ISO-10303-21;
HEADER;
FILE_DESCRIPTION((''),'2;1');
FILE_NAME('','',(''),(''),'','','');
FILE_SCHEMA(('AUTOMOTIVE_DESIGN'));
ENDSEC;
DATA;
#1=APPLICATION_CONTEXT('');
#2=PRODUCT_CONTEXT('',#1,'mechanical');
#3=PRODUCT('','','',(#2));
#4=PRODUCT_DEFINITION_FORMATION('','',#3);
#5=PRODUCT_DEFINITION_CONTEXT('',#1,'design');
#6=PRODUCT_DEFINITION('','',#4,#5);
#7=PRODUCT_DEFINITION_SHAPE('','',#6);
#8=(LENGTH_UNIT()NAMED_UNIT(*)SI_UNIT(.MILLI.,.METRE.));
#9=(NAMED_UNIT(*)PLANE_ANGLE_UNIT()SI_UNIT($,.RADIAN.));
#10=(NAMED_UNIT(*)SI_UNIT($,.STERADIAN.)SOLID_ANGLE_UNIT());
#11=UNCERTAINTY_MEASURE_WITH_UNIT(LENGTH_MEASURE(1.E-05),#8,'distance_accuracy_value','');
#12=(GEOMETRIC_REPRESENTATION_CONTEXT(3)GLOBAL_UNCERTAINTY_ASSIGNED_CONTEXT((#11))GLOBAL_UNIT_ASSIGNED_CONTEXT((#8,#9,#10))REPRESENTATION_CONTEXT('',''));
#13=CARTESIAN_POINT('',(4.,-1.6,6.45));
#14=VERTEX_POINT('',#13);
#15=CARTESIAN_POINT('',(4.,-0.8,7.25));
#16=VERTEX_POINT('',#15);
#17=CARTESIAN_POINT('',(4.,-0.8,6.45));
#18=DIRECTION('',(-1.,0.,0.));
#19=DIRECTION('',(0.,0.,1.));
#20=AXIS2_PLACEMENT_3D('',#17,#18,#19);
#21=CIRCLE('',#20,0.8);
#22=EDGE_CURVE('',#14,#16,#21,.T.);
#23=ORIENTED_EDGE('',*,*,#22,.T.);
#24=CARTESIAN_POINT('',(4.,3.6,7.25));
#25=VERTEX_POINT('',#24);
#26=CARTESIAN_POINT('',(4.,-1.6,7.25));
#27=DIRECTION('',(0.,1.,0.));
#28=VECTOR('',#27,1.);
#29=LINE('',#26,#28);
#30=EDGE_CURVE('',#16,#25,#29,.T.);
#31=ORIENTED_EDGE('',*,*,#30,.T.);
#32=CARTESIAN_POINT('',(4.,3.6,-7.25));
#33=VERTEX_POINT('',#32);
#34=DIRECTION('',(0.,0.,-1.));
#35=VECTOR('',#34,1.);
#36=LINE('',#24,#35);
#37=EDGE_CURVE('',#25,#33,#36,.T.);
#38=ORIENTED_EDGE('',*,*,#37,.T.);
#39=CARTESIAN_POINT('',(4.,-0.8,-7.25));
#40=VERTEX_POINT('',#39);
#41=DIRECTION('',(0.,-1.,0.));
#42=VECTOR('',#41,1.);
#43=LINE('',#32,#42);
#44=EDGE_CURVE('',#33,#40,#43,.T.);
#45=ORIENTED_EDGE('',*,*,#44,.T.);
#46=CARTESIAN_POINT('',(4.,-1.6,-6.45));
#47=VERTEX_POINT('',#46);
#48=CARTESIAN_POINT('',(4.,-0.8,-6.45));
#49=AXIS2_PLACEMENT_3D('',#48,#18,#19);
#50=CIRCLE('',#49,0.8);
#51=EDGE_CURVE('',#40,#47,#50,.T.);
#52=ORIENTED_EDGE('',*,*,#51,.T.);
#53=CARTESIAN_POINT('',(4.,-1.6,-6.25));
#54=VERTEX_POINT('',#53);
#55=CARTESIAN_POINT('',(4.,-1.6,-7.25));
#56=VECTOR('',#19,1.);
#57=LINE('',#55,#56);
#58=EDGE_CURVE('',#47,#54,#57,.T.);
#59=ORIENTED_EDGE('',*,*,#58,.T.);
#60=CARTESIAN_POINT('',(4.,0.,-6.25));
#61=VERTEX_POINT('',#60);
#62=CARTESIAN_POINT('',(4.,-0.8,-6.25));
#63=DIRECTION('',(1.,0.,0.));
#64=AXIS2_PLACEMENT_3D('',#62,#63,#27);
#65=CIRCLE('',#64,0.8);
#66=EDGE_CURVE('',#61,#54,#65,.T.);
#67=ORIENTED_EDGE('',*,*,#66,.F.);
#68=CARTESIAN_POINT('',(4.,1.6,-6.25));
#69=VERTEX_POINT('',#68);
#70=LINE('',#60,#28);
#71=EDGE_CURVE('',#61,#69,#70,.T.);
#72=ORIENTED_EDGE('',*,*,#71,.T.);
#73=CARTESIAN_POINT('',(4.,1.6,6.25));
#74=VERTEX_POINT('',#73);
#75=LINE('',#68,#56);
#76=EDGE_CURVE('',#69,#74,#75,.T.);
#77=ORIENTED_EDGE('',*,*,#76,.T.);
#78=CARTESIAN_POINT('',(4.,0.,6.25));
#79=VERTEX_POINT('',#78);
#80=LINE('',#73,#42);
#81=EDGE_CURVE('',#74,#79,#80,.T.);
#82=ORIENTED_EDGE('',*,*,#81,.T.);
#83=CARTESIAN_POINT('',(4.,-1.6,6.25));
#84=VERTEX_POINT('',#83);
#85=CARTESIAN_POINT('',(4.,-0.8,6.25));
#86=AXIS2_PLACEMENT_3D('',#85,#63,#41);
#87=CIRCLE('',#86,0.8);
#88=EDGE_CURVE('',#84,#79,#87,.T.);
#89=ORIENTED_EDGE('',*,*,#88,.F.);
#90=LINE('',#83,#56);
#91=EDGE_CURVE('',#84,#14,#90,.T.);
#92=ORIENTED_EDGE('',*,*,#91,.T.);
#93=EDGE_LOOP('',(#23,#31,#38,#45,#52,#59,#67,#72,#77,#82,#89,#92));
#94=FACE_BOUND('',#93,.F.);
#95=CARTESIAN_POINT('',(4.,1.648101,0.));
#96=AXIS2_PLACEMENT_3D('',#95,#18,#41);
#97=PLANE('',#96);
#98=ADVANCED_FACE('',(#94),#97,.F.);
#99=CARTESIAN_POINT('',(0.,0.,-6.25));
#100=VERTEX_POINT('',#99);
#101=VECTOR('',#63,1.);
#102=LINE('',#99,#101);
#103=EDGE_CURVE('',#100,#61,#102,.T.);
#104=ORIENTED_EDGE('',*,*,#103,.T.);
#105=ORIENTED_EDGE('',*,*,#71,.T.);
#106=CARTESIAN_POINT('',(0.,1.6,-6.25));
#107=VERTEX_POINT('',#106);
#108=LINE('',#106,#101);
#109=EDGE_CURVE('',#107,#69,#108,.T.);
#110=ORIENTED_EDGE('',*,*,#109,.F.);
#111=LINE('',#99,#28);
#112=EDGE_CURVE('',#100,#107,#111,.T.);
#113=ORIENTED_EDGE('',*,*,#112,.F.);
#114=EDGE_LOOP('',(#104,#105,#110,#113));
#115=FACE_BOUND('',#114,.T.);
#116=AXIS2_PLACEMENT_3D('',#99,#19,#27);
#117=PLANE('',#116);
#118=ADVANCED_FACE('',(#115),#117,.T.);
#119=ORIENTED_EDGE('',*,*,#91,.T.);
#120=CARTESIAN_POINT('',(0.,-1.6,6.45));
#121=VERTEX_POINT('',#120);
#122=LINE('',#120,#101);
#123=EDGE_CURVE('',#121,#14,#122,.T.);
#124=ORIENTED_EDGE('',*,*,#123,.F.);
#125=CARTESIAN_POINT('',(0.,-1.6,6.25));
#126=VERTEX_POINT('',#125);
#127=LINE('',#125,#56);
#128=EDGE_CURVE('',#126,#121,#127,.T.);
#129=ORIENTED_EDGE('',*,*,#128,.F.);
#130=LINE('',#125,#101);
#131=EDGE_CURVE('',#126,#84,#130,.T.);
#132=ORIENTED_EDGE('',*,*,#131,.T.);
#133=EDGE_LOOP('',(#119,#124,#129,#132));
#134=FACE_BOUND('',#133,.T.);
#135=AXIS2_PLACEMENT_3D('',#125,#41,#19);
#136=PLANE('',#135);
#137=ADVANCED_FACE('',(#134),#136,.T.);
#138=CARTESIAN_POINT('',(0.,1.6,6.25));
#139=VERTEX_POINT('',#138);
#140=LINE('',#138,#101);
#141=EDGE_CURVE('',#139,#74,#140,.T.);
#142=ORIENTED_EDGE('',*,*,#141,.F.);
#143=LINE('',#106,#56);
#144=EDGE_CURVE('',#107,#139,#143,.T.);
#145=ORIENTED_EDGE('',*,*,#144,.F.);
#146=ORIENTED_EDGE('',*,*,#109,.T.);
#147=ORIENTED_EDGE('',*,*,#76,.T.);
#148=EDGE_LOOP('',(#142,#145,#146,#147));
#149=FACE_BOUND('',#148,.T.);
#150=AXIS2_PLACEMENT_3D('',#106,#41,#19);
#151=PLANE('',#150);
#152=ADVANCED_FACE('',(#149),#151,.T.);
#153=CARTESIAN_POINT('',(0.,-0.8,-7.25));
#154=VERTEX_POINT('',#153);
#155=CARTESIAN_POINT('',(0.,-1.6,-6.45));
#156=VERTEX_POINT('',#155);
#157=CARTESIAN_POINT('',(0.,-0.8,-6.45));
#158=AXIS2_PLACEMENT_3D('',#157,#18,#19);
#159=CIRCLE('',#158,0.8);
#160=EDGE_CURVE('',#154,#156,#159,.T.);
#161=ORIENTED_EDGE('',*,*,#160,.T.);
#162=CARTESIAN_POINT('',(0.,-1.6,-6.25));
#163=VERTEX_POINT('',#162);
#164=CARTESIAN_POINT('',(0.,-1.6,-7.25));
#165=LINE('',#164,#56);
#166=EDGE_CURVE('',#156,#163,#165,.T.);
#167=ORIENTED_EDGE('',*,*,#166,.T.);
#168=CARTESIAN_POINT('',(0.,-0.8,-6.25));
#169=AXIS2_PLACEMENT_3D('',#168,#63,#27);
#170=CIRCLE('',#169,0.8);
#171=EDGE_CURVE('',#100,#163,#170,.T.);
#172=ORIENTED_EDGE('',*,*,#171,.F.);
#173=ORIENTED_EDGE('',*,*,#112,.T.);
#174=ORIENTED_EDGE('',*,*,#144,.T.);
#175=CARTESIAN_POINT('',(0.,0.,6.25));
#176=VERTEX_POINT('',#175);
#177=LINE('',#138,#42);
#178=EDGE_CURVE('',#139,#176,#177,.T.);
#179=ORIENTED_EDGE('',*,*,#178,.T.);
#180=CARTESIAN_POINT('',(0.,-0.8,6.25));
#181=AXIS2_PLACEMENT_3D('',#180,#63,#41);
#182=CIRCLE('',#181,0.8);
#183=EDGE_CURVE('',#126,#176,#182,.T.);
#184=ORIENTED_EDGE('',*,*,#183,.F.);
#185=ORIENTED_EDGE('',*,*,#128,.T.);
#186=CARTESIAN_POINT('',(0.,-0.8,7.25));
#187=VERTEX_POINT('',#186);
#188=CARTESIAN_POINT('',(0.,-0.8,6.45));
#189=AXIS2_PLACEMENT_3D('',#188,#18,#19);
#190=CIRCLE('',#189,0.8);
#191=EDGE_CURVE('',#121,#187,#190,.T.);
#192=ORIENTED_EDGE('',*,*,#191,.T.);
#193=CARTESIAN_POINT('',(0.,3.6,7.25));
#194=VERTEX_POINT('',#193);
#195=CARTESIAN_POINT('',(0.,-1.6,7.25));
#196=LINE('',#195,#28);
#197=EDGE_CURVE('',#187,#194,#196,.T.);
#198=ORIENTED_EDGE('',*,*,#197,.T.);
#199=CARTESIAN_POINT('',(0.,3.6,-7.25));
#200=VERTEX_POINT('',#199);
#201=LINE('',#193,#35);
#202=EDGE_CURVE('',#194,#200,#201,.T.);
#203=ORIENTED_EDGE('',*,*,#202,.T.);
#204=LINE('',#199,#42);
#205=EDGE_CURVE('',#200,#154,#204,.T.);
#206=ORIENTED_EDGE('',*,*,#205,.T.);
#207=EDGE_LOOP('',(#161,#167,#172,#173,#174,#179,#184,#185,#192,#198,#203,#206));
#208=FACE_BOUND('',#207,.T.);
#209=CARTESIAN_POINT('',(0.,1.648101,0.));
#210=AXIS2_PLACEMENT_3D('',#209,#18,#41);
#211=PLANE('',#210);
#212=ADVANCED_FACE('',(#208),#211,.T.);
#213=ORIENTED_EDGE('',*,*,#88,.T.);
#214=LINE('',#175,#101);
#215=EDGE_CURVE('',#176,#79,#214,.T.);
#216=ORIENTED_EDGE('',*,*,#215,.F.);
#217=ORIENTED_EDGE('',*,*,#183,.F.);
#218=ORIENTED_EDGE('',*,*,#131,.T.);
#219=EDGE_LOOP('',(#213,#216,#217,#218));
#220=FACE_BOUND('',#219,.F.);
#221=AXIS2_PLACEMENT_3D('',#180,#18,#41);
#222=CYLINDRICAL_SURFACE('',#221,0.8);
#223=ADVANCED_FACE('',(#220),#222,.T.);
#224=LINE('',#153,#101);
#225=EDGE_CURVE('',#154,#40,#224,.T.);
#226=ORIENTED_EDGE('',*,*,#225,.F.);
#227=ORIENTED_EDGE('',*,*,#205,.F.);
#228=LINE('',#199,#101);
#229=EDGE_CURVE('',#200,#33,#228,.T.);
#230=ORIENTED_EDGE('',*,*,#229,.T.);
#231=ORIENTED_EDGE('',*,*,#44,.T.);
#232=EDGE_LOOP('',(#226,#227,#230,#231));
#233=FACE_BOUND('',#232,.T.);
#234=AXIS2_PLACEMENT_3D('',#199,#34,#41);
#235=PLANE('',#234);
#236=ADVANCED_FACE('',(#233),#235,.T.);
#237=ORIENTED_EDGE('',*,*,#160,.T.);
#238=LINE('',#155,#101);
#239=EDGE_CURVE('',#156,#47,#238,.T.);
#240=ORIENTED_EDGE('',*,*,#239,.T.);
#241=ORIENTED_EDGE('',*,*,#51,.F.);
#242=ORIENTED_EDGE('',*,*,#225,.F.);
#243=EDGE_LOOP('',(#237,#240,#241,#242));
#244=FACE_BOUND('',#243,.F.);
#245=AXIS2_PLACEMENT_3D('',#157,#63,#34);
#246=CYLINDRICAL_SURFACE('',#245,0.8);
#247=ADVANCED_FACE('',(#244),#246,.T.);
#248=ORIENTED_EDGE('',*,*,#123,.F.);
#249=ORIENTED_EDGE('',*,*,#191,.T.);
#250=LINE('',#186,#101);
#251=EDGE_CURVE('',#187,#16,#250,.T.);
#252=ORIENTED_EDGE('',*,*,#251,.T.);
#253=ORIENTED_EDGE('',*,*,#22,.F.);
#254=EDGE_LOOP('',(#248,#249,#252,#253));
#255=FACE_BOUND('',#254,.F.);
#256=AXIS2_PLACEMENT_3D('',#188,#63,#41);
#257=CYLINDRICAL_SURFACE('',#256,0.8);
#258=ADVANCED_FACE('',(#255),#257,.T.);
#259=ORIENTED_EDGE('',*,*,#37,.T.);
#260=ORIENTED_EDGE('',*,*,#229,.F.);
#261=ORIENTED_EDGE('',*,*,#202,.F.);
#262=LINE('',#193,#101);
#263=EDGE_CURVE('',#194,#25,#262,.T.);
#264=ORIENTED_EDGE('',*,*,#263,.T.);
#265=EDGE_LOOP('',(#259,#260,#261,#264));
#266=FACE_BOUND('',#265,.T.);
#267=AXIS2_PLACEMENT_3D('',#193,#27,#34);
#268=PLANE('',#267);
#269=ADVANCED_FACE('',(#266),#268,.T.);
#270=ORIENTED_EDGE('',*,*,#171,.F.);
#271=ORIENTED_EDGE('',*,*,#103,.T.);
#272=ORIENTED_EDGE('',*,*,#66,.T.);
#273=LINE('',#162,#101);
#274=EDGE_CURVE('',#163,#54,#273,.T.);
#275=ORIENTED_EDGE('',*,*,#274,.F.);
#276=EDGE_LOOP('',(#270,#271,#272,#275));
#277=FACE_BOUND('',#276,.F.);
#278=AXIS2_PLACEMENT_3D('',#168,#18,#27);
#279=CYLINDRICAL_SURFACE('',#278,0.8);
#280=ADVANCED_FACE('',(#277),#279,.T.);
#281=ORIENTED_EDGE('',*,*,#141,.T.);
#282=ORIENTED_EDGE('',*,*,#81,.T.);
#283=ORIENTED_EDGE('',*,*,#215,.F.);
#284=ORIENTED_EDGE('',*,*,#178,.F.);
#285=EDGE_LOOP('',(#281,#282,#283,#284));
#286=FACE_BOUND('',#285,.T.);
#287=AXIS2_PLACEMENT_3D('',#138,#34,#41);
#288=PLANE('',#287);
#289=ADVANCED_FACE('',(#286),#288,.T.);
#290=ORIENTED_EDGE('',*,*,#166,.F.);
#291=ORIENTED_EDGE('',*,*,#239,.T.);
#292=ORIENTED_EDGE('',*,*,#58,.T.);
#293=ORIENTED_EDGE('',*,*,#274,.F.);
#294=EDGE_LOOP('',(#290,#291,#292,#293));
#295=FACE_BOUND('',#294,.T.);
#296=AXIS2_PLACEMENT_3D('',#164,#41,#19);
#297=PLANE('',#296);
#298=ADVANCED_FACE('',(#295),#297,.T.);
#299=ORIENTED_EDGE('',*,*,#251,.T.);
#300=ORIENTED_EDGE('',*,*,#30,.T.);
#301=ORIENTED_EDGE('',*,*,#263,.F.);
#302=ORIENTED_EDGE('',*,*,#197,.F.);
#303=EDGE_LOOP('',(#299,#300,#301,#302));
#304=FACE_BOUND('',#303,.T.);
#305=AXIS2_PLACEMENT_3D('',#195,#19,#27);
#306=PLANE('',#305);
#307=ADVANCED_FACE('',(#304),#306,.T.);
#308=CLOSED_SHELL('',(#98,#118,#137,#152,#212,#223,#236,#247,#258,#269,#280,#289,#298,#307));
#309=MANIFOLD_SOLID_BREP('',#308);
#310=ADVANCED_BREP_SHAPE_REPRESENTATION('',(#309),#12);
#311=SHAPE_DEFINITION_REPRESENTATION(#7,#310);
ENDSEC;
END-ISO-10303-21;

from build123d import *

# Parameters (mm, degrees)
PAD_DEPTH = 4
FILLET_R  = 0.8


with BuildPart() as part:
    # Sketch → Pad (new body)
    with BuildSketch(Plane.YZ):
        with BuildLine():
            Line((1.6, 6.25), (0, 6.25))
            ThreePointArc((-1.6, 6.25), (-0.8, 5.45), (0, 6.25))
            Line((-1.6, 6.25), (-1.6, 7.25))
            Line((-1.6, 7.25), (3.6, 7.25))
            Line((3.6, 7.25), (3.6, -7.25))
            Line((3.6, -7.25), (-1.6, -7.25))
            Line((-1.6, -7.25), (-1.6, -6.25))
            ThreePointArc((0, -6.25), (-0.8, -5.45), (-1.6, -6.25))
            Line((0, -6.25), (1.6, -6.25))
            Line((1.6, -6.25), (1.6, 6.25))
        make_face()
    extrude(amount=PAD_DEPTH)

    # Fillet
    fillet_edges = [part.edges().sort_by_distance(p)[0] for p in [
        (2, -1.6, 7.25),
        (2, -1.6, -7.25),
    ]]
    fillet(fillet_edges, radius=FILLET_R)


solid = part.part
